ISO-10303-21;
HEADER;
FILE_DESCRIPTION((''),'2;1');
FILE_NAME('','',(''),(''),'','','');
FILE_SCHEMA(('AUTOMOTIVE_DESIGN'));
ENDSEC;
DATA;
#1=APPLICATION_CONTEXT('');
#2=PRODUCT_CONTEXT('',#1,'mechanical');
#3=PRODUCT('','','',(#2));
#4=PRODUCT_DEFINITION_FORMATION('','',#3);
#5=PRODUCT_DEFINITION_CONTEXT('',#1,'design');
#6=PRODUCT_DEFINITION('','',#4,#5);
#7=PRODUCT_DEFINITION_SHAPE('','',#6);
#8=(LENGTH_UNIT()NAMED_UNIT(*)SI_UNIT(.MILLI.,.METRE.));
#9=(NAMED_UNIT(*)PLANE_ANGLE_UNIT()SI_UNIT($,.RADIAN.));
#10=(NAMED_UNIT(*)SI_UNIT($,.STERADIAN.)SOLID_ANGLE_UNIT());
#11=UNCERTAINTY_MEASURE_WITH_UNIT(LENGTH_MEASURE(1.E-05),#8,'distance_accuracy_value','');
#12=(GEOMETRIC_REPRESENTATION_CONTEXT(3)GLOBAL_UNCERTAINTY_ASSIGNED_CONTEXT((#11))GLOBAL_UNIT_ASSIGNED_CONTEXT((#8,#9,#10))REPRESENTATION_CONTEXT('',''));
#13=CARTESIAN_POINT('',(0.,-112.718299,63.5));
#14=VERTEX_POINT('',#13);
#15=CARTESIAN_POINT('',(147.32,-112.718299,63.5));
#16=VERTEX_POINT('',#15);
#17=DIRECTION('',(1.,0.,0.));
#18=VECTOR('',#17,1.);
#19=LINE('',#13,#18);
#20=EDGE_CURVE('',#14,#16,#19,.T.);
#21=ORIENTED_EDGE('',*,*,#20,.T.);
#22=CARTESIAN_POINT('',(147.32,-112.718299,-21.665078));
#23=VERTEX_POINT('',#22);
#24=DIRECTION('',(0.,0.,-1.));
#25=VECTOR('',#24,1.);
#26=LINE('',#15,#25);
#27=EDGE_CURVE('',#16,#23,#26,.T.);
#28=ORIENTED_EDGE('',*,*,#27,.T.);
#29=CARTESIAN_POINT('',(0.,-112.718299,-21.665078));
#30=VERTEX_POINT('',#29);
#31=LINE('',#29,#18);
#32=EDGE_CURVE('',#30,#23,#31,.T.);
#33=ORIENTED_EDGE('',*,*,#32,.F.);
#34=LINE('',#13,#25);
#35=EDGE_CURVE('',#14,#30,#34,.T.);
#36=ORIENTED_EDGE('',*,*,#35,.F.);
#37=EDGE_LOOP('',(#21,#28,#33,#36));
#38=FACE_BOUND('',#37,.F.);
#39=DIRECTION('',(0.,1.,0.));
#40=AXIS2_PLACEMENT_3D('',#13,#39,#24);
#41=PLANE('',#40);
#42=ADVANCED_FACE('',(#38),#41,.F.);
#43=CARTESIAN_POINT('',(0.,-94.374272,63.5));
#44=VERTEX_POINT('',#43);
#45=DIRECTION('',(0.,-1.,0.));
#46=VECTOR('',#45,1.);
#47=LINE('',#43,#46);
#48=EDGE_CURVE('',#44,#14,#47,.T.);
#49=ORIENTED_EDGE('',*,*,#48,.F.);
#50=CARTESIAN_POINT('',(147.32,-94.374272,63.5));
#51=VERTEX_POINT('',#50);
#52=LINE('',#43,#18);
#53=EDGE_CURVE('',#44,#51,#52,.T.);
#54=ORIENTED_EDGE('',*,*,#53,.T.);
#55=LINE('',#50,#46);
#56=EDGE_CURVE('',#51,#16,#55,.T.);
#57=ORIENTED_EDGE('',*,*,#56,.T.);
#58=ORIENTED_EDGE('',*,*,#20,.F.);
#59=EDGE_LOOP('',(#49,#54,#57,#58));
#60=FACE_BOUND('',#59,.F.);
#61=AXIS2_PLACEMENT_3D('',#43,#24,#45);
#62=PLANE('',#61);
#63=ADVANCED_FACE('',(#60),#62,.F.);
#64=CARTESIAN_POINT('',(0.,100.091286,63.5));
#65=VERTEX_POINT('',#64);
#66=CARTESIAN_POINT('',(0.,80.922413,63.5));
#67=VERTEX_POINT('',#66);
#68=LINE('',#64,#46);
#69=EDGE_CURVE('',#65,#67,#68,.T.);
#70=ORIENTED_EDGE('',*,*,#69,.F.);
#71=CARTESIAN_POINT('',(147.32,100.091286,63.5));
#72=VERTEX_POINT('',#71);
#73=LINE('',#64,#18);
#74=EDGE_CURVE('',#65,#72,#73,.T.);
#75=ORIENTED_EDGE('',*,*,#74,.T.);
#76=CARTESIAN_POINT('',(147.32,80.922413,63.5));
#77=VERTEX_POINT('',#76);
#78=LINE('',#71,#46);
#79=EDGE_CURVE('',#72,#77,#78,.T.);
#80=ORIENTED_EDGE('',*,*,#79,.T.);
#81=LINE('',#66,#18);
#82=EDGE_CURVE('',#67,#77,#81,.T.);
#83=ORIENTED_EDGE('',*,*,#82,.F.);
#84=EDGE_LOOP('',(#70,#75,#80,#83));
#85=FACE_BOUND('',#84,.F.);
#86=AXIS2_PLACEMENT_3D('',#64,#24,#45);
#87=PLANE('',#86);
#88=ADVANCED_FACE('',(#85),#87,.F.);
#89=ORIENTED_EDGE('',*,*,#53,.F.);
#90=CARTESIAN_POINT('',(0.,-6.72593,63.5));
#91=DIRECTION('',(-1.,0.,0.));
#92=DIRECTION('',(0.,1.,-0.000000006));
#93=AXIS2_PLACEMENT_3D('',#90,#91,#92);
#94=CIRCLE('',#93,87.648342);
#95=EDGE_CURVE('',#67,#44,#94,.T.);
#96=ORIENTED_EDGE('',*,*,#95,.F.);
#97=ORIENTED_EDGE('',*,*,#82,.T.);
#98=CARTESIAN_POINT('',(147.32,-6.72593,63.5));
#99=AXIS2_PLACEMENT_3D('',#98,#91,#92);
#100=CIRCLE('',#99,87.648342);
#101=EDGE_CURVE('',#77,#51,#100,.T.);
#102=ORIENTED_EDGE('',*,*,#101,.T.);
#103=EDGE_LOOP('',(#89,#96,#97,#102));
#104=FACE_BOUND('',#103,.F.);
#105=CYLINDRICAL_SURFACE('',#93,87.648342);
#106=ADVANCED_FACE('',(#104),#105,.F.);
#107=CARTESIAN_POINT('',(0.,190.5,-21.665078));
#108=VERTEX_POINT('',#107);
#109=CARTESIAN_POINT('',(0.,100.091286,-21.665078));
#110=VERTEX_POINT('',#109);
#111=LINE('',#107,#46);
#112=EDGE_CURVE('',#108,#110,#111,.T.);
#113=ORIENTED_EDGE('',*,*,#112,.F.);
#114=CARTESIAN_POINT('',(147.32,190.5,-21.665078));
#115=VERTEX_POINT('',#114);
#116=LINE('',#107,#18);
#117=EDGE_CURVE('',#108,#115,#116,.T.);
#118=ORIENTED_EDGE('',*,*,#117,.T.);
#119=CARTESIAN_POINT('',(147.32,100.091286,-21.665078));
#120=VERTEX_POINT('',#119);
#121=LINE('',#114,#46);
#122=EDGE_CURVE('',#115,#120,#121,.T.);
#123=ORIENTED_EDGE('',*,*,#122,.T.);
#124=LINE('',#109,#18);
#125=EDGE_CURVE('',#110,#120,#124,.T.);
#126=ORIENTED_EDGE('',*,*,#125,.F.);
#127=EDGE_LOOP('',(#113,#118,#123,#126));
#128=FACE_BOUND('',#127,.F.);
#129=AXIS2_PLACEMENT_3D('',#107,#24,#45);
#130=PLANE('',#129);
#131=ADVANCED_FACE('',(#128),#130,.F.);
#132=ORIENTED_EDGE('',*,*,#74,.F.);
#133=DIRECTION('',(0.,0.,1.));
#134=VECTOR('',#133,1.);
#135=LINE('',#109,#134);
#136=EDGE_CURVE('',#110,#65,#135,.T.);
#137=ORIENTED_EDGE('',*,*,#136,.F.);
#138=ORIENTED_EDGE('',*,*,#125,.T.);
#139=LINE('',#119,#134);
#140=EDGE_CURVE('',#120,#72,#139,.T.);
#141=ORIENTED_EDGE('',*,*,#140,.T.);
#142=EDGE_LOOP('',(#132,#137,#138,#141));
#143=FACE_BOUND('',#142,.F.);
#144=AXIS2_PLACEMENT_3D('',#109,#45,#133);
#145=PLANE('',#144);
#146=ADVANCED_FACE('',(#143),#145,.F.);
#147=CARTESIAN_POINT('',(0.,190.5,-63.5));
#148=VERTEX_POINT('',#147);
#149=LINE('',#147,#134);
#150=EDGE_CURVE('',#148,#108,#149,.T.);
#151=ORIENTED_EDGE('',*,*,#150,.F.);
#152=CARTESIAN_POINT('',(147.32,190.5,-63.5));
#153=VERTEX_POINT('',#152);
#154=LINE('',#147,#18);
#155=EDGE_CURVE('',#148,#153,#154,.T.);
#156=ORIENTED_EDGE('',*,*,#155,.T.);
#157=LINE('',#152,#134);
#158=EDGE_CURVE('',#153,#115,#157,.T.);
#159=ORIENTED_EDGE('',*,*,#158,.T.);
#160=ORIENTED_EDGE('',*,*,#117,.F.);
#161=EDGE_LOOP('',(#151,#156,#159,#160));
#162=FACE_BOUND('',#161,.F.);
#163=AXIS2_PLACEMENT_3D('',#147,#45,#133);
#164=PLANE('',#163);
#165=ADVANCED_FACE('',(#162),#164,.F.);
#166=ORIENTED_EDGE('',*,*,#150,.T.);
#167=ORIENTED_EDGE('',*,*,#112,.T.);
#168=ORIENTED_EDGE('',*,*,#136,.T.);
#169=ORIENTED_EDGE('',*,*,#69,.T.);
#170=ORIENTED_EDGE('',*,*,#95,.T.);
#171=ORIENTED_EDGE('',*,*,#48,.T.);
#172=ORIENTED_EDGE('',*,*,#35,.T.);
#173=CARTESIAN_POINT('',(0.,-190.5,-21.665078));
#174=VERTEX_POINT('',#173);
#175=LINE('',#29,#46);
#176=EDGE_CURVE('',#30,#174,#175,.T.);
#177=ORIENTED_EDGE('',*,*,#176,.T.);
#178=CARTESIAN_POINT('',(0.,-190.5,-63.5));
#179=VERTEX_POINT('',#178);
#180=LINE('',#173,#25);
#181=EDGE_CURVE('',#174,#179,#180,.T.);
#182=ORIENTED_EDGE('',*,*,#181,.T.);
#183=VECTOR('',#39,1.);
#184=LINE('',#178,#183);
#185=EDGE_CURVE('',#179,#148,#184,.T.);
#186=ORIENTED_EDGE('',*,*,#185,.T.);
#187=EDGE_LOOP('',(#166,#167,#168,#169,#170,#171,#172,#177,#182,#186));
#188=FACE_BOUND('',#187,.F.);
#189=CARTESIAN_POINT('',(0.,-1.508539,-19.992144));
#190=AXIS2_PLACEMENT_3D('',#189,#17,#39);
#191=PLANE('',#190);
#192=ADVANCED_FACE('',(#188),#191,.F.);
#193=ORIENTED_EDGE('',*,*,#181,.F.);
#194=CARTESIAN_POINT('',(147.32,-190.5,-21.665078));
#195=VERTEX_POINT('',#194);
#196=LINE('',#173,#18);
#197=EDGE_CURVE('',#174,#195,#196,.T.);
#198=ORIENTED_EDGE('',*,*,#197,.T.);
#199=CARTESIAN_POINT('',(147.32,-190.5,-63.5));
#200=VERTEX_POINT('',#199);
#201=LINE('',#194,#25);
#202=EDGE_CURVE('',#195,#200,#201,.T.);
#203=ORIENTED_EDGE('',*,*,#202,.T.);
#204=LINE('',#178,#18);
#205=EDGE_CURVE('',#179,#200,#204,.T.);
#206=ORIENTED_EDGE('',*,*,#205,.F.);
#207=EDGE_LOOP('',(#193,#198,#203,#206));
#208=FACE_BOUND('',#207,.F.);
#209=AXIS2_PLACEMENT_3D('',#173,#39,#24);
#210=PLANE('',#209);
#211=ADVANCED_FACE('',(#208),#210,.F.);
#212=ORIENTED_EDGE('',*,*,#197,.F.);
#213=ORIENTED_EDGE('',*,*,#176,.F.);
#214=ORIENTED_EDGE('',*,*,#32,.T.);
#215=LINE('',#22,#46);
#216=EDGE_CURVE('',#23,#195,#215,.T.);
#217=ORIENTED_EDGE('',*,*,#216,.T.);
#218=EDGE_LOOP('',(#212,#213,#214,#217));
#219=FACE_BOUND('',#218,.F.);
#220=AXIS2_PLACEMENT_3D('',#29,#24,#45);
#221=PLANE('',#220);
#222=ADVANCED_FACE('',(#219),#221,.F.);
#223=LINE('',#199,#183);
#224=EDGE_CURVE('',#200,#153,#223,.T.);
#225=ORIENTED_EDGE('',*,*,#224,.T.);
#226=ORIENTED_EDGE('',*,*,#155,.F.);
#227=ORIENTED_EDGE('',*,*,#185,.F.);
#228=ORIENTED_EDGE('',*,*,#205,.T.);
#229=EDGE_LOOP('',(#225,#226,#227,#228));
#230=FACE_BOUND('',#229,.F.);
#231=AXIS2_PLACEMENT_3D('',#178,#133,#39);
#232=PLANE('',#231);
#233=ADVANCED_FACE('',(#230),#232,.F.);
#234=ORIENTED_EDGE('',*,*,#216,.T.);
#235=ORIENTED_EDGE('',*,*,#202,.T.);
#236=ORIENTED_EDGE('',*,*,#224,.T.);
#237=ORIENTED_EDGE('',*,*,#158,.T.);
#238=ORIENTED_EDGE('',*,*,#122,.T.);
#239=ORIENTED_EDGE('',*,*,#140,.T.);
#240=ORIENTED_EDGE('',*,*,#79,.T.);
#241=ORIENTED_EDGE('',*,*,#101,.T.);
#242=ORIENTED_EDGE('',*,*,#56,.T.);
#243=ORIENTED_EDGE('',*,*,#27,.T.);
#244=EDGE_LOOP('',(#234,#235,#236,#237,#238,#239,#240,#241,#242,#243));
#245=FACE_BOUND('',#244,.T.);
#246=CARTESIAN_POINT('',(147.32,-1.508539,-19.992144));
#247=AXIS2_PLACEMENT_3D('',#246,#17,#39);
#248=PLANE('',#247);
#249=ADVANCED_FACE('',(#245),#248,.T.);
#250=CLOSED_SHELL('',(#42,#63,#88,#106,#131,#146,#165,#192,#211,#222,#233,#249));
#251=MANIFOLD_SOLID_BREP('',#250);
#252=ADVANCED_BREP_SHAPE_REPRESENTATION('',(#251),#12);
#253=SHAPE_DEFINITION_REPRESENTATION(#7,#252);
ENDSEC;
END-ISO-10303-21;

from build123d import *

# Parameters (mm, degrees)
F1_DEPTH = 147.32


with BuildPart() as f1:
    # F0 (on Right) → F1 (new body)
    with BuildSketch(Plane.YZ):
        with BuildLine():
            Line((-94.374272, 63.5), (-112.718299, 63.5))
            Line((-112.718299, 63.5), (-112.718299, -21.665078))
            Line((-112.718299, -21.665078), (-190.5, -21.665078))
            Line((-190.5, -21.665078), (-190.5, -63.5))
            Line((-190.5, -63.5), (190.5, -63.5))
            Line((190.5, -63.5), (190.5, -21.665078))
            Line((190.5, -21.665078), (100.091286, -21.665078))
            Line((100.091286, -21.665078), (100.091286, 63.5))
            Line((100.091286, 63.5), (80.922413, 63.5))
            ThreePointArc((80.922413, 63.5), (-6.72593, -24.148342), (-94.374272, 63.5))
        make_face()
    extrude(amount=F1_DEPTH)


solid = f1.part
